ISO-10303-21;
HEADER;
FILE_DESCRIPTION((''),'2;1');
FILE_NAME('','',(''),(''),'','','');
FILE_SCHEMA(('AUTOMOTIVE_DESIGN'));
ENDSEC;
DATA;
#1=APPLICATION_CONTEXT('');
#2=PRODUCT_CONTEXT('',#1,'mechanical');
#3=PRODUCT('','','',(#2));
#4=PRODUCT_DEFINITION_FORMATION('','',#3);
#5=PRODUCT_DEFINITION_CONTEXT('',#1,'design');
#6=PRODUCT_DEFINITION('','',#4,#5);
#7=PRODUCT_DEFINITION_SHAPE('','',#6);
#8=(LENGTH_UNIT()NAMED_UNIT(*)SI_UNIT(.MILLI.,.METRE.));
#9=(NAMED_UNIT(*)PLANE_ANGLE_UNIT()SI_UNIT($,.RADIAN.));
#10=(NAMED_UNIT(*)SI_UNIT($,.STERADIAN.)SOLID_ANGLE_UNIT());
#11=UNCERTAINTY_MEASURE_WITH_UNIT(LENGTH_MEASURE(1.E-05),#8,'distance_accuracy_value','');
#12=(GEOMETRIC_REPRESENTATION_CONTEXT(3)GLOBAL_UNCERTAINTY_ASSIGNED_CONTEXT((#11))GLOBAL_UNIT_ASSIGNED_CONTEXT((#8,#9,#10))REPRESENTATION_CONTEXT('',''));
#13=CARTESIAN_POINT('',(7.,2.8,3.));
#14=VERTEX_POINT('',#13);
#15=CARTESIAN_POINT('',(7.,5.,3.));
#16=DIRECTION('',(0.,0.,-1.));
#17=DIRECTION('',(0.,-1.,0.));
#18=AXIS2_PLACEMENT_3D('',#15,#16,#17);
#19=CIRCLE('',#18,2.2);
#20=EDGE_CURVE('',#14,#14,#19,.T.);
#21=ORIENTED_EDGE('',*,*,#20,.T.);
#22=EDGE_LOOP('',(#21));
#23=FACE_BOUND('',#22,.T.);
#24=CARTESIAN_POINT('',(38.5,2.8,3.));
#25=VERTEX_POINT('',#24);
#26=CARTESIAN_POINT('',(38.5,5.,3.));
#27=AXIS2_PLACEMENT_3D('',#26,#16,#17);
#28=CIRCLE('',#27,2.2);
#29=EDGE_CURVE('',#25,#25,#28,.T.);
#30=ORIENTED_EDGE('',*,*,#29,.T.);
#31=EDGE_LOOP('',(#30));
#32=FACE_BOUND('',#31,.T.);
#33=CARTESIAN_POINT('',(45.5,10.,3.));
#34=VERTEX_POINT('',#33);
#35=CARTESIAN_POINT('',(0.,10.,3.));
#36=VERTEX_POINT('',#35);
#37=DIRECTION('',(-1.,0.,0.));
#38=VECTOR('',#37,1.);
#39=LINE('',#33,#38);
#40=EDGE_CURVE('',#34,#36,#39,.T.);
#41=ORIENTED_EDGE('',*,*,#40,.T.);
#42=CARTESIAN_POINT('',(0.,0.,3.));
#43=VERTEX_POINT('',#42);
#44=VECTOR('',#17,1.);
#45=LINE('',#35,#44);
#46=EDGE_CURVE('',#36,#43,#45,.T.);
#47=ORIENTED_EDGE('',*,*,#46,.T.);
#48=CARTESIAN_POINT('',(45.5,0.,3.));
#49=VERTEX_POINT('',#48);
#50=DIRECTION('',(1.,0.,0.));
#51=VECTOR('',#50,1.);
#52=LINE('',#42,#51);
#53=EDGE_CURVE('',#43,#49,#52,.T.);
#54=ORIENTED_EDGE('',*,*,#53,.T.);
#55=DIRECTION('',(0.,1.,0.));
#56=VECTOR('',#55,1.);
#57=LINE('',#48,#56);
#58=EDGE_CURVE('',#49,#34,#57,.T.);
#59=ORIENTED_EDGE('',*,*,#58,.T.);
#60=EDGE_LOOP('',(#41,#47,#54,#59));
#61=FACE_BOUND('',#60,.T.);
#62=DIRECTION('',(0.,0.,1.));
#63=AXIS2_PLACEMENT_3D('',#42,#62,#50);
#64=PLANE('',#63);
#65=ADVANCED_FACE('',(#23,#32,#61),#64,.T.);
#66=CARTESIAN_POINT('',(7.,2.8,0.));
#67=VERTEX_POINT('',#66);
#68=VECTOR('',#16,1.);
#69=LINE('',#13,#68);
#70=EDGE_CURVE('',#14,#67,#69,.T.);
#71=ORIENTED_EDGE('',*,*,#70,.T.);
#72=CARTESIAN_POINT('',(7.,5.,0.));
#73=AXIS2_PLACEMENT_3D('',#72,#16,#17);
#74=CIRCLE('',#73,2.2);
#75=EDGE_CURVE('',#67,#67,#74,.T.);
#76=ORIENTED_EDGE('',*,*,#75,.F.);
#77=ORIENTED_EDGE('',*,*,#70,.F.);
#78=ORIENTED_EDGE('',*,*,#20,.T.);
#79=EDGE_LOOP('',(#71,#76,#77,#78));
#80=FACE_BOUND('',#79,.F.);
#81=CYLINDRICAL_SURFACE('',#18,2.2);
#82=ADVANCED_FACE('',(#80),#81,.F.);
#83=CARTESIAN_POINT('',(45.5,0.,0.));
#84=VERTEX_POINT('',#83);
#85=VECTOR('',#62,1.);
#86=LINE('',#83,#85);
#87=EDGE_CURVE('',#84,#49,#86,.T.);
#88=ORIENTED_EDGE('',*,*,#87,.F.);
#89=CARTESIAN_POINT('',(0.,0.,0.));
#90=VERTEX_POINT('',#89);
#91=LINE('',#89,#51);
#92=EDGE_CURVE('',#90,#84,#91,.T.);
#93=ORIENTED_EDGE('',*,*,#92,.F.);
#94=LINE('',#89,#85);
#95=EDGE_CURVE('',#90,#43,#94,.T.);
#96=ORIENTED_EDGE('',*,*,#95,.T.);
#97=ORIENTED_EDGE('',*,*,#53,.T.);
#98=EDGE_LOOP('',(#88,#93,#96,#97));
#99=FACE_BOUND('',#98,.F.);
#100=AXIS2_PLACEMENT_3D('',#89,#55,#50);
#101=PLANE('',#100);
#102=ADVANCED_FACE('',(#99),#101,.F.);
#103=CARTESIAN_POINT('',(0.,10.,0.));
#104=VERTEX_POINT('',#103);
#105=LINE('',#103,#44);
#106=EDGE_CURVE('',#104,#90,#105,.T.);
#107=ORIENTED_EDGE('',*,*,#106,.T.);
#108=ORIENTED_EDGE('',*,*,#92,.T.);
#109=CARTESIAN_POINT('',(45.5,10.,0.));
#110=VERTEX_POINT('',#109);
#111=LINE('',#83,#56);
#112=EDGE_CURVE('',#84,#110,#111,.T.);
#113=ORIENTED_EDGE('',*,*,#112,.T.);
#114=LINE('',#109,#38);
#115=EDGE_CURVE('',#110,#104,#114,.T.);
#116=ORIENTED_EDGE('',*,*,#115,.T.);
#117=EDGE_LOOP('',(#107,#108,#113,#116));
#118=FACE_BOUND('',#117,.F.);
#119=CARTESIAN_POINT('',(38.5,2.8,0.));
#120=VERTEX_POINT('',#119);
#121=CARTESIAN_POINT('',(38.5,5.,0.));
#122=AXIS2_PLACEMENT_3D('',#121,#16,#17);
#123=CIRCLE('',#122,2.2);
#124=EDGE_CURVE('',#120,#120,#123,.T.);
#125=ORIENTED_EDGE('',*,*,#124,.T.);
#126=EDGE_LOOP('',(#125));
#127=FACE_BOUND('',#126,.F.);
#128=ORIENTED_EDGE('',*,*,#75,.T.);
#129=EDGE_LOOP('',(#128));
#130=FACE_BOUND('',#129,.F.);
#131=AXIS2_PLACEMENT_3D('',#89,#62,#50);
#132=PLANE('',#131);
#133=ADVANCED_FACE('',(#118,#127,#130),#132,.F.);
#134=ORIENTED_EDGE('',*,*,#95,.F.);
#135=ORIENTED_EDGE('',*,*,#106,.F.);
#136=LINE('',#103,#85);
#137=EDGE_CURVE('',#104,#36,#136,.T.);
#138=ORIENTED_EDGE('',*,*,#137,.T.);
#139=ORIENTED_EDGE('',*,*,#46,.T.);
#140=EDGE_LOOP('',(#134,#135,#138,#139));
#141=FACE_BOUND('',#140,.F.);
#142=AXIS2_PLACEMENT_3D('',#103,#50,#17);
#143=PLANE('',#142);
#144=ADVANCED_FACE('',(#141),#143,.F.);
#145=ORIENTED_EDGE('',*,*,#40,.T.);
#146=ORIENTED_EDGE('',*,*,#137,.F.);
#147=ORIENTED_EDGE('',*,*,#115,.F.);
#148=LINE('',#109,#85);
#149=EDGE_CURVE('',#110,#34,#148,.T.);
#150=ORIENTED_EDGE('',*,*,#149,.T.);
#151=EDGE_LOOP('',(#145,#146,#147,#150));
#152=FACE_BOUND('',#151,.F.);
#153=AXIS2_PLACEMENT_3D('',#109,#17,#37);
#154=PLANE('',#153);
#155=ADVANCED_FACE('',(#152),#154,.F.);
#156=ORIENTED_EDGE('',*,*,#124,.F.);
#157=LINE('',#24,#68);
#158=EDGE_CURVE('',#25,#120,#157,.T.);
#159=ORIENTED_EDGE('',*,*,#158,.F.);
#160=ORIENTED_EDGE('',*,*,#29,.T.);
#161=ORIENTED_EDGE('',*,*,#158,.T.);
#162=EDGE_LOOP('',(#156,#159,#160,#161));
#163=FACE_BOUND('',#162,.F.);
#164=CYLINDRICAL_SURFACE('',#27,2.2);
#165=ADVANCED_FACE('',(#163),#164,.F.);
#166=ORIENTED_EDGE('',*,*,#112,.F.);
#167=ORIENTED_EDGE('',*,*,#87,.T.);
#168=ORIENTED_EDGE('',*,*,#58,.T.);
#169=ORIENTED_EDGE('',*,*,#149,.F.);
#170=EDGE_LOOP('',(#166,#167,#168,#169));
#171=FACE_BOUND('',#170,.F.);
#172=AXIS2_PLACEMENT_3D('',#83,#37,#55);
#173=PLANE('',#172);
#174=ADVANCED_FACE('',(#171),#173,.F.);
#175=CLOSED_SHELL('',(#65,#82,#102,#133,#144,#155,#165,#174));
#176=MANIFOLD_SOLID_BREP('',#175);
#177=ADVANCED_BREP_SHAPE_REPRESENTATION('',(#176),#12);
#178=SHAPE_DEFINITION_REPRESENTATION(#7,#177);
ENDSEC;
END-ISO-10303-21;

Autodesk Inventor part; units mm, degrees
ref_plane "YZ Plane" through (0, 0, 0) normal (1, 0, 0) x (0, 1, 0)
ref_plane "XZ Plane" through (0, 0, 0) normal (0, 1, 0) x (-1, 0, 0)
ref_plane "XY Plane" through (0, 0, 0) normal (0, 0, 1) x (1, 0, 0)
sketch "Sketch1" plane through (0, 0, 0) normal (0, 0, 1) x (1, 0, 0)
  line L0 (0, 0) -> (45.5, 0)
  line L1 (45.5, 0) -> (45.5, 10)
  line L2 (45.5, 10) -> (0, 10)
  line L3 (0, 10) -> (0, 0)
  dimension "d0" = 45.5
  dimension "d1" = 10
extrude "Extrusion1" add sketch "Sketch1" along normal blind 3
sketch "Sketch2" plane through (0, 0, 3) normal (0, 0, 1) x (1, 0, 0)
  line L0 (0, 10) -> (0, 0) projected
  line L1 (45.5, 0) -> (45.5, 10) projected
  line L2 (45.5, 10) -> (0, 10) projected
  point P0 (7, 5)
  point P1 (38.5, 5)
  dimension "d4" = 7
  dimension "d5" = 7
  dimension "d6" = 5
  dimension "d7" = 5
sketch "Sketch3" plane through (0, 0, 3) normal (0, 0, 1) x (1, 0, 0)
  point P0 (0, 0)
hole "Hole1" at (7, 5, 3) at (38.5, 5, 3) direction (0, 0, -1) diameter 4.4 end through all
properties part number "pipeServo"
